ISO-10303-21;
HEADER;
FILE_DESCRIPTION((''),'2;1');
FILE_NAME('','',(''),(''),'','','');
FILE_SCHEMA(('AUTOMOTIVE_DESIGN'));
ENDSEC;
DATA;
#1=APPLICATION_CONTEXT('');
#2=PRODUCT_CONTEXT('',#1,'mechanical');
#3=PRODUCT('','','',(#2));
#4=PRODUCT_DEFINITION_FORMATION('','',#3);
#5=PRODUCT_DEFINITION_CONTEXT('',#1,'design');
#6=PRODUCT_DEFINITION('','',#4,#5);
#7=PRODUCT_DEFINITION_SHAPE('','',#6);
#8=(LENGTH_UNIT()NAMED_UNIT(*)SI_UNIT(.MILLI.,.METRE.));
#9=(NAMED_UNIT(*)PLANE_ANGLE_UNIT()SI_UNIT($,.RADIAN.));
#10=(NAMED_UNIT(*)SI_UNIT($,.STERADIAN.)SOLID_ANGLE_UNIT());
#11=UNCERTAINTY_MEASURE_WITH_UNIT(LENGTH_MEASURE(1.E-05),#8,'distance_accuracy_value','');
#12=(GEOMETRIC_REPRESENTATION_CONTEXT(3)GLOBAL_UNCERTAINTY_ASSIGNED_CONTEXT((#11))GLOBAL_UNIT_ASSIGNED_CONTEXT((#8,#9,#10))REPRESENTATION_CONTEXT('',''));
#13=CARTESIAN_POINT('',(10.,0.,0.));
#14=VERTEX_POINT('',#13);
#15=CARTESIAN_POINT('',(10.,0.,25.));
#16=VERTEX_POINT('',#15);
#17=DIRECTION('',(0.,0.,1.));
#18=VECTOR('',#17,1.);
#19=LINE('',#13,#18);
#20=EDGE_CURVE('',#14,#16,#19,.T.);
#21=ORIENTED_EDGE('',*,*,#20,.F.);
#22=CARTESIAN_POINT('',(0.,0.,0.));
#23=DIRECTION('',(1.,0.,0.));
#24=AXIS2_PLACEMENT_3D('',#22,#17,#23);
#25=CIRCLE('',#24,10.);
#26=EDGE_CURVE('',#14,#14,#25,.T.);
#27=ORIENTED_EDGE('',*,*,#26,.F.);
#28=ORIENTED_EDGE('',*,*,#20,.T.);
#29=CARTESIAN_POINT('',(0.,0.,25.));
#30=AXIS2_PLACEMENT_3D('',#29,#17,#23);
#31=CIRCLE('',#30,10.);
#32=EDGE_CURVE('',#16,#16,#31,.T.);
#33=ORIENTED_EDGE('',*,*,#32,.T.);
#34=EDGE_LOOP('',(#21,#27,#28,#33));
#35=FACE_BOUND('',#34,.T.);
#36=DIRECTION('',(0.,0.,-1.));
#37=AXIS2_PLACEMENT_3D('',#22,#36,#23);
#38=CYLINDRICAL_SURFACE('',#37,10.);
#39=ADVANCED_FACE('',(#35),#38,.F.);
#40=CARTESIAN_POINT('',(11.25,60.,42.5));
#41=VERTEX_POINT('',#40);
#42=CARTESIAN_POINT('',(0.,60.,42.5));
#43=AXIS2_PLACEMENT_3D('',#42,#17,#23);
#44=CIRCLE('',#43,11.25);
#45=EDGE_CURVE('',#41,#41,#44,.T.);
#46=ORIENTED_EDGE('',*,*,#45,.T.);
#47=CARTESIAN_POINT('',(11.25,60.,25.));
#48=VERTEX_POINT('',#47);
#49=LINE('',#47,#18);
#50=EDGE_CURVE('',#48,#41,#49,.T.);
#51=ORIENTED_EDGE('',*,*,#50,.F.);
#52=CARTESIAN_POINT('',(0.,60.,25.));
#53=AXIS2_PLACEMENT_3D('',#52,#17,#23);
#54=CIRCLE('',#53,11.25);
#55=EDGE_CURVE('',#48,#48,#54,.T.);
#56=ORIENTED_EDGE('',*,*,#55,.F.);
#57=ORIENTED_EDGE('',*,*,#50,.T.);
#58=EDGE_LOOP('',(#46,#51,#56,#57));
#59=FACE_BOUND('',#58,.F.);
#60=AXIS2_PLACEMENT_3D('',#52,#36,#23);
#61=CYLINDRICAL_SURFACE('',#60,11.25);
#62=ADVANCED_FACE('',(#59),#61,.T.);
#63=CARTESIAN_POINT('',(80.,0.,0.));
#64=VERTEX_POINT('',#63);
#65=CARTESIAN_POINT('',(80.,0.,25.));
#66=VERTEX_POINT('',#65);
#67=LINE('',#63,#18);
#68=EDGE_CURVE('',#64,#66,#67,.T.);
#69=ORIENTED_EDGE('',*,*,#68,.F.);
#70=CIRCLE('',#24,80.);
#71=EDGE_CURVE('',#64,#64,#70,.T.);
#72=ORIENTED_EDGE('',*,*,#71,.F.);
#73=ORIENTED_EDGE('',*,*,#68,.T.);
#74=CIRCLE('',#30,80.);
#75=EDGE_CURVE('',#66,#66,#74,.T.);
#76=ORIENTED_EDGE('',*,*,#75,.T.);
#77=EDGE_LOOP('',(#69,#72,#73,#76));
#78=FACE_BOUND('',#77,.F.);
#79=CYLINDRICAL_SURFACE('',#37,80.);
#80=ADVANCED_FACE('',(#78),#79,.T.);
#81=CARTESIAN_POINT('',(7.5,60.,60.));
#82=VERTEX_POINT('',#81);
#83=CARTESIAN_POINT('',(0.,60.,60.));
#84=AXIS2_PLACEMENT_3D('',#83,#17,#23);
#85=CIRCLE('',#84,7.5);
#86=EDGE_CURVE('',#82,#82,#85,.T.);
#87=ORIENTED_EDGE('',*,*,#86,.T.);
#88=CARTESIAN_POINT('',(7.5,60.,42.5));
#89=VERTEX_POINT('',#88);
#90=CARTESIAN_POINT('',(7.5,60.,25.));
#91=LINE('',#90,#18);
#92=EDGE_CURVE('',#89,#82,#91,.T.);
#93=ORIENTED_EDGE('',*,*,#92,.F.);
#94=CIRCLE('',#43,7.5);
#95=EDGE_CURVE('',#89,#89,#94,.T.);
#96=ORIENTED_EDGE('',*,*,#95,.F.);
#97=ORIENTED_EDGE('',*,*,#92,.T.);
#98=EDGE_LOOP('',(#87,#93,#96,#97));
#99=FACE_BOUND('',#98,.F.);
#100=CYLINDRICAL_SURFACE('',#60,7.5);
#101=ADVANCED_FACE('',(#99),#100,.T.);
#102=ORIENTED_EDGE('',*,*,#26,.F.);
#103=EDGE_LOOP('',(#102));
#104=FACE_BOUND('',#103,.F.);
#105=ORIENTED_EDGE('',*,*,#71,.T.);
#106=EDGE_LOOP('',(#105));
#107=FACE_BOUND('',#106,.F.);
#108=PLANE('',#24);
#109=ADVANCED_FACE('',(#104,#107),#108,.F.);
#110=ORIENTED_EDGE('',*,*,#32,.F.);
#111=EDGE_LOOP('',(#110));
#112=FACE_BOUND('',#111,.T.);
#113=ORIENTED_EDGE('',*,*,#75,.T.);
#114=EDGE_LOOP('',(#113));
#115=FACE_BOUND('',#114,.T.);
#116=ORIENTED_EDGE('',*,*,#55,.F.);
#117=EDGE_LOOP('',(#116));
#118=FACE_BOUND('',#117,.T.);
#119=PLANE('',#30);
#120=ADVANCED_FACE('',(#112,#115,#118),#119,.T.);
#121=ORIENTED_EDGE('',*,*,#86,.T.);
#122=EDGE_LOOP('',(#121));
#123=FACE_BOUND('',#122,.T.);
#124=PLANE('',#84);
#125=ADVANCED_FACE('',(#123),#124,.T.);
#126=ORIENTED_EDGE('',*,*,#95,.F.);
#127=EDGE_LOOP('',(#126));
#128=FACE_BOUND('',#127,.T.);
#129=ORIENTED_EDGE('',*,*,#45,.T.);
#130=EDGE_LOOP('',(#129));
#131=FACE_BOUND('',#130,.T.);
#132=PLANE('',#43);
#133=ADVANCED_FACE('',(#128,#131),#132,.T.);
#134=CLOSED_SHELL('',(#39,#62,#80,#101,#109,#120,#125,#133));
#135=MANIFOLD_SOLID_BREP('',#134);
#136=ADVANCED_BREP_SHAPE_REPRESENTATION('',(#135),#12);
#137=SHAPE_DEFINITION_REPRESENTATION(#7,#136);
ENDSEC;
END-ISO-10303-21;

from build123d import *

# Parameters (mm, degrees)
F0_R     = 80
F0_R_2   = 10
F1_DEPTH = 25
F2_R     = 7.5
F3_DEPTH = 35
F4_R     = 7.5
F4_R_2   = 11.25
F5_DEPTH = 17.5


with BuildPart() as f1:
    # F0 (on Top) → F1 (new body)
    with BuildSketch(Plane.XY):
        Circle(F0_R)
        Circle(F0_R_2, mode=Mode.SUBTRACT)
    extrude(amount=F1_DEPTH)

    # F2 (on face) → F3 (join)
    with BuildSketch(Plane.XY.offset(25)):
        with Locations((0, 60)):
            Circle(F2_R)
    extrude(amount=F3_DEPTH)

    # F4 (on face) → F5 (join)
    with BuildSketch(Plane.XY.offset(25)):
        with Locations((0, 60)):
            Circle(F4_R)
        with Locations((0, 60)):
            Circle(F4_R_2)
        with Locations((0, 60)):
            Circle(F4_R, mode=Mode.SUBTRACT)
    extrude(amount=F5_DEPTH)


solid = f1.part
